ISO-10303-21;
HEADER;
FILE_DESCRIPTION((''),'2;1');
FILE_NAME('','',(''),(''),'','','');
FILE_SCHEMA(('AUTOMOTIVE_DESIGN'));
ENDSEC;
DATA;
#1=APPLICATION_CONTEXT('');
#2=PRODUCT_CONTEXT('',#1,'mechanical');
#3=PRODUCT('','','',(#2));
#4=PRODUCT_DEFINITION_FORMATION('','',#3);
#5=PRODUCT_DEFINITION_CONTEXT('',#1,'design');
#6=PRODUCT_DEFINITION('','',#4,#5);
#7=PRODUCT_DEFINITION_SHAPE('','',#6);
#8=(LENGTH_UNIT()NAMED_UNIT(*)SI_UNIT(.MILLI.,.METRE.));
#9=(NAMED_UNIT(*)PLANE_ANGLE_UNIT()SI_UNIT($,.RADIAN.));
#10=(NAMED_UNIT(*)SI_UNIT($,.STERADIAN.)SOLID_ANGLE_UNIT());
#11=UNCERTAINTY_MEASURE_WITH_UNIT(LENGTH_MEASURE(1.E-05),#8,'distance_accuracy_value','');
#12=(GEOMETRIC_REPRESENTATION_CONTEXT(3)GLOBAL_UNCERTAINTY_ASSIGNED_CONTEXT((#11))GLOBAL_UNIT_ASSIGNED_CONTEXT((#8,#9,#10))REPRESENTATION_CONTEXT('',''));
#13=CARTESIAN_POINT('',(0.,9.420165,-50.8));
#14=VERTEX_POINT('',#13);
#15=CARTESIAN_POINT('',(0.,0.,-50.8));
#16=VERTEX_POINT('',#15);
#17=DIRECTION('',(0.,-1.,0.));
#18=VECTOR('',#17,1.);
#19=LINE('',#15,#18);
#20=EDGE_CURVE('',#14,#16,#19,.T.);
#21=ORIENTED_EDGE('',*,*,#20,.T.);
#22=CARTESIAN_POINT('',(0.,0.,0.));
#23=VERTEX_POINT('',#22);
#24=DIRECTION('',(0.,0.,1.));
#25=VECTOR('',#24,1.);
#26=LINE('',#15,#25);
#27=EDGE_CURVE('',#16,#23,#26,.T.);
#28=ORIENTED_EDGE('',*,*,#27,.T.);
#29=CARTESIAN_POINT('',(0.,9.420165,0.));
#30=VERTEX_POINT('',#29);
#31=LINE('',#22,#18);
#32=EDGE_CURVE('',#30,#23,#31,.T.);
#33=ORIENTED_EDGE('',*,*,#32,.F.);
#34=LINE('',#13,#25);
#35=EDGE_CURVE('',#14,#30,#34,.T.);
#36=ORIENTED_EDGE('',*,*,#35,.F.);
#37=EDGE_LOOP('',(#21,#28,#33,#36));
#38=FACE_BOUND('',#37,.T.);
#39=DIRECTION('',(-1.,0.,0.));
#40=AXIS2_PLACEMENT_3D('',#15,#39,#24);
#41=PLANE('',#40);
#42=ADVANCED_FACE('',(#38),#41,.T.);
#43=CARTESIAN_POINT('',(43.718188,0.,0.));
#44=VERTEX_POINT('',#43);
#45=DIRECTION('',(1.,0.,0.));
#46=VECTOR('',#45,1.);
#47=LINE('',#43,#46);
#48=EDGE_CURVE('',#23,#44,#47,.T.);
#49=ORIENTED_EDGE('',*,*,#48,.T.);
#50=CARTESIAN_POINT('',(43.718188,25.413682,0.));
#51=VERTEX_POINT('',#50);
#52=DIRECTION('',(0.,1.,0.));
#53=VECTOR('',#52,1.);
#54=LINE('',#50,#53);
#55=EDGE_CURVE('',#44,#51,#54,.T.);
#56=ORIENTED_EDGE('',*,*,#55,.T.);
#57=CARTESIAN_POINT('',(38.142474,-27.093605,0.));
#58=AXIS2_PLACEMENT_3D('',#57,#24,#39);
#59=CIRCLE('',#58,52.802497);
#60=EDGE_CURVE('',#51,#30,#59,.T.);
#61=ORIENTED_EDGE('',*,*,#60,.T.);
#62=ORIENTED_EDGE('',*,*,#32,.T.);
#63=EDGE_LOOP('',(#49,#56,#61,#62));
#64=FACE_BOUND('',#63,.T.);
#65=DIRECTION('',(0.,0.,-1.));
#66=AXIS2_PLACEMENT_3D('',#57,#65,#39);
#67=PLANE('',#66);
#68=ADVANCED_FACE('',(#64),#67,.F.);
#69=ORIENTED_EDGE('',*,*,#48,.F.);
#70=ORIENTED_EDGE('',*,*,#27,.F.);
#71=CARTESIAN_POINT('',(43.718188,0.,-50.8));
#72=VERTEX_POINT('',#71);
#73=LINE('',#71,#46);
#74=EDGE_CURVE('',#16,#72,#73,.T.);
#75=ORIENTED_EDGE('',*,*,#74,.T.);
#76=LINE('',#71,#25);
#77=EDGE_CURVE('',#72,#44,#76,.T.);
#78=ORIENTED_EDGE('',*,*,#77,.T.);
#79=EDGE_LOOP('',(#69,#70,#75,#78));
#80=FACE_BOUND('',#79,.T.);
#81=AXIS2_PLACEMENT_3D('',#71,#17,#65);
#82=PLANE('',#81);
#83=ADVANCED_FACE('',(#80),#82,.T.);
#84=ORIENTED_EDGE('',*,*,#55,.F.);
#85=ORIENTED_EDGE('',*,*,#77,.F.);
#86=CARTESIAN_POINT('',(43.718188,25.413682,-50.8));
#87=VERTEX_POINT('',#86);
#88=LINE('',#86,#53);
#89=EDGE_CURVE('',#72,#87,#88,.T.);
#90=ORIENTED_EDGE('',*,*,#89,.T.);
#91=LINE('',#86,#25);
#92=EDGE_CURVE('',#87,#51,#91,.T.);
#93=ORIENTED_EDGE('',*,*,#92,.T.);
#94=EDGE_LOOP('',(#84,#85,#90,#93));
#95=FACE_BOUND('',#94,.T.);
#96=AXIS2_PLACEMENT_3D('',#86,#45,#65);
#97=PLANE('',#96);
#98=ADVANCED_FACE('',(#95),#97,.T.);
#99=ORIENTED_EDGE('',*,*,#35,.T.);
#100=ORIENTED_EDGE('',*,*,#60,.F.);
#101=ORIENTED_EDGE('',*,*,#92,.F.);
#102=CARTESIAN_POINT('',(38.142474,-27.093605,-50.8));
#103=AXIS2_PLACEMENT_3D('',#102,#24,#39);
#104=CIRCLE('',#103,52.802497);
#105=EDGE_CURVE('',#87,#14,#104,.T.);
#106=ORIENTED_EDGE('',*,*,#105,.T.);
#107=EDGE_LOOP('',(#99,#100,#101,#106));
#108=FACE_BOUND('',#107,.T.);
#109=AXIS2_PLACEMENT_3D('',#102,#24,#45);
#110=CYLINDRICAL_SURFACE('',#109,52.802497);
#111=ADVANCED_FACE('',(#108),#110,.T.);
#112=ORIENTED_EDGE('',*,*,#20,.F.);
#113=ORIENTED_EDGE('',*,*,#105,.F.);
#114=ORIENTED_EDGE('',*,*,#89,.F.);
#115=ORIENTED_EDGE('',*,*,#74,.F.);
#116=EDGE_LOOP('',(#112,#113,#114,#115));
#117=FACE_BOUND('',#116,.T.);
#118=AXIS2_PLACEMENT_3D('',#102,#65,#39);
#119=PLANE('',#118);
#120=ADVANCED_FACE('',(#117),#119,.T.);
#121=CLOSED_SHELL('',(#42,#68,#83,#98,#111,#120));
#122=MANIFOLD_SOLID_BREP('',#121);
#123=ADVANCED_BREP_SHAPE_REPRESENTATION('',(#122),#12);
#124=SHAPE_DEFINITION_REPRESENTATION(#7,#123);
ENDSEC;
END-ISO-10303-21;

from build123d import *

# Parameters (mm, degrees)
EXTRUDE1_DEPTH = 50.8


with BuildPart() as part:
    # Sketch1 → Extrude1 (new body)
    with BuildSketch(Plane.XY):
        with BuildLine():
            Line((0, 0), (0, 9.420165094))
            ThreePointArc((0, 9.420165094), (20.001454101, 22.494772168), (43.718188319, 25.413681947))
            Line((43.718188319, 25.413681947), (43.718188319, 0))
            Line((43.718188319, 0), (0, 0))
        make_face()
    extrude(amount=-EXTRUDE1_DEPTH)


solid = part.part
